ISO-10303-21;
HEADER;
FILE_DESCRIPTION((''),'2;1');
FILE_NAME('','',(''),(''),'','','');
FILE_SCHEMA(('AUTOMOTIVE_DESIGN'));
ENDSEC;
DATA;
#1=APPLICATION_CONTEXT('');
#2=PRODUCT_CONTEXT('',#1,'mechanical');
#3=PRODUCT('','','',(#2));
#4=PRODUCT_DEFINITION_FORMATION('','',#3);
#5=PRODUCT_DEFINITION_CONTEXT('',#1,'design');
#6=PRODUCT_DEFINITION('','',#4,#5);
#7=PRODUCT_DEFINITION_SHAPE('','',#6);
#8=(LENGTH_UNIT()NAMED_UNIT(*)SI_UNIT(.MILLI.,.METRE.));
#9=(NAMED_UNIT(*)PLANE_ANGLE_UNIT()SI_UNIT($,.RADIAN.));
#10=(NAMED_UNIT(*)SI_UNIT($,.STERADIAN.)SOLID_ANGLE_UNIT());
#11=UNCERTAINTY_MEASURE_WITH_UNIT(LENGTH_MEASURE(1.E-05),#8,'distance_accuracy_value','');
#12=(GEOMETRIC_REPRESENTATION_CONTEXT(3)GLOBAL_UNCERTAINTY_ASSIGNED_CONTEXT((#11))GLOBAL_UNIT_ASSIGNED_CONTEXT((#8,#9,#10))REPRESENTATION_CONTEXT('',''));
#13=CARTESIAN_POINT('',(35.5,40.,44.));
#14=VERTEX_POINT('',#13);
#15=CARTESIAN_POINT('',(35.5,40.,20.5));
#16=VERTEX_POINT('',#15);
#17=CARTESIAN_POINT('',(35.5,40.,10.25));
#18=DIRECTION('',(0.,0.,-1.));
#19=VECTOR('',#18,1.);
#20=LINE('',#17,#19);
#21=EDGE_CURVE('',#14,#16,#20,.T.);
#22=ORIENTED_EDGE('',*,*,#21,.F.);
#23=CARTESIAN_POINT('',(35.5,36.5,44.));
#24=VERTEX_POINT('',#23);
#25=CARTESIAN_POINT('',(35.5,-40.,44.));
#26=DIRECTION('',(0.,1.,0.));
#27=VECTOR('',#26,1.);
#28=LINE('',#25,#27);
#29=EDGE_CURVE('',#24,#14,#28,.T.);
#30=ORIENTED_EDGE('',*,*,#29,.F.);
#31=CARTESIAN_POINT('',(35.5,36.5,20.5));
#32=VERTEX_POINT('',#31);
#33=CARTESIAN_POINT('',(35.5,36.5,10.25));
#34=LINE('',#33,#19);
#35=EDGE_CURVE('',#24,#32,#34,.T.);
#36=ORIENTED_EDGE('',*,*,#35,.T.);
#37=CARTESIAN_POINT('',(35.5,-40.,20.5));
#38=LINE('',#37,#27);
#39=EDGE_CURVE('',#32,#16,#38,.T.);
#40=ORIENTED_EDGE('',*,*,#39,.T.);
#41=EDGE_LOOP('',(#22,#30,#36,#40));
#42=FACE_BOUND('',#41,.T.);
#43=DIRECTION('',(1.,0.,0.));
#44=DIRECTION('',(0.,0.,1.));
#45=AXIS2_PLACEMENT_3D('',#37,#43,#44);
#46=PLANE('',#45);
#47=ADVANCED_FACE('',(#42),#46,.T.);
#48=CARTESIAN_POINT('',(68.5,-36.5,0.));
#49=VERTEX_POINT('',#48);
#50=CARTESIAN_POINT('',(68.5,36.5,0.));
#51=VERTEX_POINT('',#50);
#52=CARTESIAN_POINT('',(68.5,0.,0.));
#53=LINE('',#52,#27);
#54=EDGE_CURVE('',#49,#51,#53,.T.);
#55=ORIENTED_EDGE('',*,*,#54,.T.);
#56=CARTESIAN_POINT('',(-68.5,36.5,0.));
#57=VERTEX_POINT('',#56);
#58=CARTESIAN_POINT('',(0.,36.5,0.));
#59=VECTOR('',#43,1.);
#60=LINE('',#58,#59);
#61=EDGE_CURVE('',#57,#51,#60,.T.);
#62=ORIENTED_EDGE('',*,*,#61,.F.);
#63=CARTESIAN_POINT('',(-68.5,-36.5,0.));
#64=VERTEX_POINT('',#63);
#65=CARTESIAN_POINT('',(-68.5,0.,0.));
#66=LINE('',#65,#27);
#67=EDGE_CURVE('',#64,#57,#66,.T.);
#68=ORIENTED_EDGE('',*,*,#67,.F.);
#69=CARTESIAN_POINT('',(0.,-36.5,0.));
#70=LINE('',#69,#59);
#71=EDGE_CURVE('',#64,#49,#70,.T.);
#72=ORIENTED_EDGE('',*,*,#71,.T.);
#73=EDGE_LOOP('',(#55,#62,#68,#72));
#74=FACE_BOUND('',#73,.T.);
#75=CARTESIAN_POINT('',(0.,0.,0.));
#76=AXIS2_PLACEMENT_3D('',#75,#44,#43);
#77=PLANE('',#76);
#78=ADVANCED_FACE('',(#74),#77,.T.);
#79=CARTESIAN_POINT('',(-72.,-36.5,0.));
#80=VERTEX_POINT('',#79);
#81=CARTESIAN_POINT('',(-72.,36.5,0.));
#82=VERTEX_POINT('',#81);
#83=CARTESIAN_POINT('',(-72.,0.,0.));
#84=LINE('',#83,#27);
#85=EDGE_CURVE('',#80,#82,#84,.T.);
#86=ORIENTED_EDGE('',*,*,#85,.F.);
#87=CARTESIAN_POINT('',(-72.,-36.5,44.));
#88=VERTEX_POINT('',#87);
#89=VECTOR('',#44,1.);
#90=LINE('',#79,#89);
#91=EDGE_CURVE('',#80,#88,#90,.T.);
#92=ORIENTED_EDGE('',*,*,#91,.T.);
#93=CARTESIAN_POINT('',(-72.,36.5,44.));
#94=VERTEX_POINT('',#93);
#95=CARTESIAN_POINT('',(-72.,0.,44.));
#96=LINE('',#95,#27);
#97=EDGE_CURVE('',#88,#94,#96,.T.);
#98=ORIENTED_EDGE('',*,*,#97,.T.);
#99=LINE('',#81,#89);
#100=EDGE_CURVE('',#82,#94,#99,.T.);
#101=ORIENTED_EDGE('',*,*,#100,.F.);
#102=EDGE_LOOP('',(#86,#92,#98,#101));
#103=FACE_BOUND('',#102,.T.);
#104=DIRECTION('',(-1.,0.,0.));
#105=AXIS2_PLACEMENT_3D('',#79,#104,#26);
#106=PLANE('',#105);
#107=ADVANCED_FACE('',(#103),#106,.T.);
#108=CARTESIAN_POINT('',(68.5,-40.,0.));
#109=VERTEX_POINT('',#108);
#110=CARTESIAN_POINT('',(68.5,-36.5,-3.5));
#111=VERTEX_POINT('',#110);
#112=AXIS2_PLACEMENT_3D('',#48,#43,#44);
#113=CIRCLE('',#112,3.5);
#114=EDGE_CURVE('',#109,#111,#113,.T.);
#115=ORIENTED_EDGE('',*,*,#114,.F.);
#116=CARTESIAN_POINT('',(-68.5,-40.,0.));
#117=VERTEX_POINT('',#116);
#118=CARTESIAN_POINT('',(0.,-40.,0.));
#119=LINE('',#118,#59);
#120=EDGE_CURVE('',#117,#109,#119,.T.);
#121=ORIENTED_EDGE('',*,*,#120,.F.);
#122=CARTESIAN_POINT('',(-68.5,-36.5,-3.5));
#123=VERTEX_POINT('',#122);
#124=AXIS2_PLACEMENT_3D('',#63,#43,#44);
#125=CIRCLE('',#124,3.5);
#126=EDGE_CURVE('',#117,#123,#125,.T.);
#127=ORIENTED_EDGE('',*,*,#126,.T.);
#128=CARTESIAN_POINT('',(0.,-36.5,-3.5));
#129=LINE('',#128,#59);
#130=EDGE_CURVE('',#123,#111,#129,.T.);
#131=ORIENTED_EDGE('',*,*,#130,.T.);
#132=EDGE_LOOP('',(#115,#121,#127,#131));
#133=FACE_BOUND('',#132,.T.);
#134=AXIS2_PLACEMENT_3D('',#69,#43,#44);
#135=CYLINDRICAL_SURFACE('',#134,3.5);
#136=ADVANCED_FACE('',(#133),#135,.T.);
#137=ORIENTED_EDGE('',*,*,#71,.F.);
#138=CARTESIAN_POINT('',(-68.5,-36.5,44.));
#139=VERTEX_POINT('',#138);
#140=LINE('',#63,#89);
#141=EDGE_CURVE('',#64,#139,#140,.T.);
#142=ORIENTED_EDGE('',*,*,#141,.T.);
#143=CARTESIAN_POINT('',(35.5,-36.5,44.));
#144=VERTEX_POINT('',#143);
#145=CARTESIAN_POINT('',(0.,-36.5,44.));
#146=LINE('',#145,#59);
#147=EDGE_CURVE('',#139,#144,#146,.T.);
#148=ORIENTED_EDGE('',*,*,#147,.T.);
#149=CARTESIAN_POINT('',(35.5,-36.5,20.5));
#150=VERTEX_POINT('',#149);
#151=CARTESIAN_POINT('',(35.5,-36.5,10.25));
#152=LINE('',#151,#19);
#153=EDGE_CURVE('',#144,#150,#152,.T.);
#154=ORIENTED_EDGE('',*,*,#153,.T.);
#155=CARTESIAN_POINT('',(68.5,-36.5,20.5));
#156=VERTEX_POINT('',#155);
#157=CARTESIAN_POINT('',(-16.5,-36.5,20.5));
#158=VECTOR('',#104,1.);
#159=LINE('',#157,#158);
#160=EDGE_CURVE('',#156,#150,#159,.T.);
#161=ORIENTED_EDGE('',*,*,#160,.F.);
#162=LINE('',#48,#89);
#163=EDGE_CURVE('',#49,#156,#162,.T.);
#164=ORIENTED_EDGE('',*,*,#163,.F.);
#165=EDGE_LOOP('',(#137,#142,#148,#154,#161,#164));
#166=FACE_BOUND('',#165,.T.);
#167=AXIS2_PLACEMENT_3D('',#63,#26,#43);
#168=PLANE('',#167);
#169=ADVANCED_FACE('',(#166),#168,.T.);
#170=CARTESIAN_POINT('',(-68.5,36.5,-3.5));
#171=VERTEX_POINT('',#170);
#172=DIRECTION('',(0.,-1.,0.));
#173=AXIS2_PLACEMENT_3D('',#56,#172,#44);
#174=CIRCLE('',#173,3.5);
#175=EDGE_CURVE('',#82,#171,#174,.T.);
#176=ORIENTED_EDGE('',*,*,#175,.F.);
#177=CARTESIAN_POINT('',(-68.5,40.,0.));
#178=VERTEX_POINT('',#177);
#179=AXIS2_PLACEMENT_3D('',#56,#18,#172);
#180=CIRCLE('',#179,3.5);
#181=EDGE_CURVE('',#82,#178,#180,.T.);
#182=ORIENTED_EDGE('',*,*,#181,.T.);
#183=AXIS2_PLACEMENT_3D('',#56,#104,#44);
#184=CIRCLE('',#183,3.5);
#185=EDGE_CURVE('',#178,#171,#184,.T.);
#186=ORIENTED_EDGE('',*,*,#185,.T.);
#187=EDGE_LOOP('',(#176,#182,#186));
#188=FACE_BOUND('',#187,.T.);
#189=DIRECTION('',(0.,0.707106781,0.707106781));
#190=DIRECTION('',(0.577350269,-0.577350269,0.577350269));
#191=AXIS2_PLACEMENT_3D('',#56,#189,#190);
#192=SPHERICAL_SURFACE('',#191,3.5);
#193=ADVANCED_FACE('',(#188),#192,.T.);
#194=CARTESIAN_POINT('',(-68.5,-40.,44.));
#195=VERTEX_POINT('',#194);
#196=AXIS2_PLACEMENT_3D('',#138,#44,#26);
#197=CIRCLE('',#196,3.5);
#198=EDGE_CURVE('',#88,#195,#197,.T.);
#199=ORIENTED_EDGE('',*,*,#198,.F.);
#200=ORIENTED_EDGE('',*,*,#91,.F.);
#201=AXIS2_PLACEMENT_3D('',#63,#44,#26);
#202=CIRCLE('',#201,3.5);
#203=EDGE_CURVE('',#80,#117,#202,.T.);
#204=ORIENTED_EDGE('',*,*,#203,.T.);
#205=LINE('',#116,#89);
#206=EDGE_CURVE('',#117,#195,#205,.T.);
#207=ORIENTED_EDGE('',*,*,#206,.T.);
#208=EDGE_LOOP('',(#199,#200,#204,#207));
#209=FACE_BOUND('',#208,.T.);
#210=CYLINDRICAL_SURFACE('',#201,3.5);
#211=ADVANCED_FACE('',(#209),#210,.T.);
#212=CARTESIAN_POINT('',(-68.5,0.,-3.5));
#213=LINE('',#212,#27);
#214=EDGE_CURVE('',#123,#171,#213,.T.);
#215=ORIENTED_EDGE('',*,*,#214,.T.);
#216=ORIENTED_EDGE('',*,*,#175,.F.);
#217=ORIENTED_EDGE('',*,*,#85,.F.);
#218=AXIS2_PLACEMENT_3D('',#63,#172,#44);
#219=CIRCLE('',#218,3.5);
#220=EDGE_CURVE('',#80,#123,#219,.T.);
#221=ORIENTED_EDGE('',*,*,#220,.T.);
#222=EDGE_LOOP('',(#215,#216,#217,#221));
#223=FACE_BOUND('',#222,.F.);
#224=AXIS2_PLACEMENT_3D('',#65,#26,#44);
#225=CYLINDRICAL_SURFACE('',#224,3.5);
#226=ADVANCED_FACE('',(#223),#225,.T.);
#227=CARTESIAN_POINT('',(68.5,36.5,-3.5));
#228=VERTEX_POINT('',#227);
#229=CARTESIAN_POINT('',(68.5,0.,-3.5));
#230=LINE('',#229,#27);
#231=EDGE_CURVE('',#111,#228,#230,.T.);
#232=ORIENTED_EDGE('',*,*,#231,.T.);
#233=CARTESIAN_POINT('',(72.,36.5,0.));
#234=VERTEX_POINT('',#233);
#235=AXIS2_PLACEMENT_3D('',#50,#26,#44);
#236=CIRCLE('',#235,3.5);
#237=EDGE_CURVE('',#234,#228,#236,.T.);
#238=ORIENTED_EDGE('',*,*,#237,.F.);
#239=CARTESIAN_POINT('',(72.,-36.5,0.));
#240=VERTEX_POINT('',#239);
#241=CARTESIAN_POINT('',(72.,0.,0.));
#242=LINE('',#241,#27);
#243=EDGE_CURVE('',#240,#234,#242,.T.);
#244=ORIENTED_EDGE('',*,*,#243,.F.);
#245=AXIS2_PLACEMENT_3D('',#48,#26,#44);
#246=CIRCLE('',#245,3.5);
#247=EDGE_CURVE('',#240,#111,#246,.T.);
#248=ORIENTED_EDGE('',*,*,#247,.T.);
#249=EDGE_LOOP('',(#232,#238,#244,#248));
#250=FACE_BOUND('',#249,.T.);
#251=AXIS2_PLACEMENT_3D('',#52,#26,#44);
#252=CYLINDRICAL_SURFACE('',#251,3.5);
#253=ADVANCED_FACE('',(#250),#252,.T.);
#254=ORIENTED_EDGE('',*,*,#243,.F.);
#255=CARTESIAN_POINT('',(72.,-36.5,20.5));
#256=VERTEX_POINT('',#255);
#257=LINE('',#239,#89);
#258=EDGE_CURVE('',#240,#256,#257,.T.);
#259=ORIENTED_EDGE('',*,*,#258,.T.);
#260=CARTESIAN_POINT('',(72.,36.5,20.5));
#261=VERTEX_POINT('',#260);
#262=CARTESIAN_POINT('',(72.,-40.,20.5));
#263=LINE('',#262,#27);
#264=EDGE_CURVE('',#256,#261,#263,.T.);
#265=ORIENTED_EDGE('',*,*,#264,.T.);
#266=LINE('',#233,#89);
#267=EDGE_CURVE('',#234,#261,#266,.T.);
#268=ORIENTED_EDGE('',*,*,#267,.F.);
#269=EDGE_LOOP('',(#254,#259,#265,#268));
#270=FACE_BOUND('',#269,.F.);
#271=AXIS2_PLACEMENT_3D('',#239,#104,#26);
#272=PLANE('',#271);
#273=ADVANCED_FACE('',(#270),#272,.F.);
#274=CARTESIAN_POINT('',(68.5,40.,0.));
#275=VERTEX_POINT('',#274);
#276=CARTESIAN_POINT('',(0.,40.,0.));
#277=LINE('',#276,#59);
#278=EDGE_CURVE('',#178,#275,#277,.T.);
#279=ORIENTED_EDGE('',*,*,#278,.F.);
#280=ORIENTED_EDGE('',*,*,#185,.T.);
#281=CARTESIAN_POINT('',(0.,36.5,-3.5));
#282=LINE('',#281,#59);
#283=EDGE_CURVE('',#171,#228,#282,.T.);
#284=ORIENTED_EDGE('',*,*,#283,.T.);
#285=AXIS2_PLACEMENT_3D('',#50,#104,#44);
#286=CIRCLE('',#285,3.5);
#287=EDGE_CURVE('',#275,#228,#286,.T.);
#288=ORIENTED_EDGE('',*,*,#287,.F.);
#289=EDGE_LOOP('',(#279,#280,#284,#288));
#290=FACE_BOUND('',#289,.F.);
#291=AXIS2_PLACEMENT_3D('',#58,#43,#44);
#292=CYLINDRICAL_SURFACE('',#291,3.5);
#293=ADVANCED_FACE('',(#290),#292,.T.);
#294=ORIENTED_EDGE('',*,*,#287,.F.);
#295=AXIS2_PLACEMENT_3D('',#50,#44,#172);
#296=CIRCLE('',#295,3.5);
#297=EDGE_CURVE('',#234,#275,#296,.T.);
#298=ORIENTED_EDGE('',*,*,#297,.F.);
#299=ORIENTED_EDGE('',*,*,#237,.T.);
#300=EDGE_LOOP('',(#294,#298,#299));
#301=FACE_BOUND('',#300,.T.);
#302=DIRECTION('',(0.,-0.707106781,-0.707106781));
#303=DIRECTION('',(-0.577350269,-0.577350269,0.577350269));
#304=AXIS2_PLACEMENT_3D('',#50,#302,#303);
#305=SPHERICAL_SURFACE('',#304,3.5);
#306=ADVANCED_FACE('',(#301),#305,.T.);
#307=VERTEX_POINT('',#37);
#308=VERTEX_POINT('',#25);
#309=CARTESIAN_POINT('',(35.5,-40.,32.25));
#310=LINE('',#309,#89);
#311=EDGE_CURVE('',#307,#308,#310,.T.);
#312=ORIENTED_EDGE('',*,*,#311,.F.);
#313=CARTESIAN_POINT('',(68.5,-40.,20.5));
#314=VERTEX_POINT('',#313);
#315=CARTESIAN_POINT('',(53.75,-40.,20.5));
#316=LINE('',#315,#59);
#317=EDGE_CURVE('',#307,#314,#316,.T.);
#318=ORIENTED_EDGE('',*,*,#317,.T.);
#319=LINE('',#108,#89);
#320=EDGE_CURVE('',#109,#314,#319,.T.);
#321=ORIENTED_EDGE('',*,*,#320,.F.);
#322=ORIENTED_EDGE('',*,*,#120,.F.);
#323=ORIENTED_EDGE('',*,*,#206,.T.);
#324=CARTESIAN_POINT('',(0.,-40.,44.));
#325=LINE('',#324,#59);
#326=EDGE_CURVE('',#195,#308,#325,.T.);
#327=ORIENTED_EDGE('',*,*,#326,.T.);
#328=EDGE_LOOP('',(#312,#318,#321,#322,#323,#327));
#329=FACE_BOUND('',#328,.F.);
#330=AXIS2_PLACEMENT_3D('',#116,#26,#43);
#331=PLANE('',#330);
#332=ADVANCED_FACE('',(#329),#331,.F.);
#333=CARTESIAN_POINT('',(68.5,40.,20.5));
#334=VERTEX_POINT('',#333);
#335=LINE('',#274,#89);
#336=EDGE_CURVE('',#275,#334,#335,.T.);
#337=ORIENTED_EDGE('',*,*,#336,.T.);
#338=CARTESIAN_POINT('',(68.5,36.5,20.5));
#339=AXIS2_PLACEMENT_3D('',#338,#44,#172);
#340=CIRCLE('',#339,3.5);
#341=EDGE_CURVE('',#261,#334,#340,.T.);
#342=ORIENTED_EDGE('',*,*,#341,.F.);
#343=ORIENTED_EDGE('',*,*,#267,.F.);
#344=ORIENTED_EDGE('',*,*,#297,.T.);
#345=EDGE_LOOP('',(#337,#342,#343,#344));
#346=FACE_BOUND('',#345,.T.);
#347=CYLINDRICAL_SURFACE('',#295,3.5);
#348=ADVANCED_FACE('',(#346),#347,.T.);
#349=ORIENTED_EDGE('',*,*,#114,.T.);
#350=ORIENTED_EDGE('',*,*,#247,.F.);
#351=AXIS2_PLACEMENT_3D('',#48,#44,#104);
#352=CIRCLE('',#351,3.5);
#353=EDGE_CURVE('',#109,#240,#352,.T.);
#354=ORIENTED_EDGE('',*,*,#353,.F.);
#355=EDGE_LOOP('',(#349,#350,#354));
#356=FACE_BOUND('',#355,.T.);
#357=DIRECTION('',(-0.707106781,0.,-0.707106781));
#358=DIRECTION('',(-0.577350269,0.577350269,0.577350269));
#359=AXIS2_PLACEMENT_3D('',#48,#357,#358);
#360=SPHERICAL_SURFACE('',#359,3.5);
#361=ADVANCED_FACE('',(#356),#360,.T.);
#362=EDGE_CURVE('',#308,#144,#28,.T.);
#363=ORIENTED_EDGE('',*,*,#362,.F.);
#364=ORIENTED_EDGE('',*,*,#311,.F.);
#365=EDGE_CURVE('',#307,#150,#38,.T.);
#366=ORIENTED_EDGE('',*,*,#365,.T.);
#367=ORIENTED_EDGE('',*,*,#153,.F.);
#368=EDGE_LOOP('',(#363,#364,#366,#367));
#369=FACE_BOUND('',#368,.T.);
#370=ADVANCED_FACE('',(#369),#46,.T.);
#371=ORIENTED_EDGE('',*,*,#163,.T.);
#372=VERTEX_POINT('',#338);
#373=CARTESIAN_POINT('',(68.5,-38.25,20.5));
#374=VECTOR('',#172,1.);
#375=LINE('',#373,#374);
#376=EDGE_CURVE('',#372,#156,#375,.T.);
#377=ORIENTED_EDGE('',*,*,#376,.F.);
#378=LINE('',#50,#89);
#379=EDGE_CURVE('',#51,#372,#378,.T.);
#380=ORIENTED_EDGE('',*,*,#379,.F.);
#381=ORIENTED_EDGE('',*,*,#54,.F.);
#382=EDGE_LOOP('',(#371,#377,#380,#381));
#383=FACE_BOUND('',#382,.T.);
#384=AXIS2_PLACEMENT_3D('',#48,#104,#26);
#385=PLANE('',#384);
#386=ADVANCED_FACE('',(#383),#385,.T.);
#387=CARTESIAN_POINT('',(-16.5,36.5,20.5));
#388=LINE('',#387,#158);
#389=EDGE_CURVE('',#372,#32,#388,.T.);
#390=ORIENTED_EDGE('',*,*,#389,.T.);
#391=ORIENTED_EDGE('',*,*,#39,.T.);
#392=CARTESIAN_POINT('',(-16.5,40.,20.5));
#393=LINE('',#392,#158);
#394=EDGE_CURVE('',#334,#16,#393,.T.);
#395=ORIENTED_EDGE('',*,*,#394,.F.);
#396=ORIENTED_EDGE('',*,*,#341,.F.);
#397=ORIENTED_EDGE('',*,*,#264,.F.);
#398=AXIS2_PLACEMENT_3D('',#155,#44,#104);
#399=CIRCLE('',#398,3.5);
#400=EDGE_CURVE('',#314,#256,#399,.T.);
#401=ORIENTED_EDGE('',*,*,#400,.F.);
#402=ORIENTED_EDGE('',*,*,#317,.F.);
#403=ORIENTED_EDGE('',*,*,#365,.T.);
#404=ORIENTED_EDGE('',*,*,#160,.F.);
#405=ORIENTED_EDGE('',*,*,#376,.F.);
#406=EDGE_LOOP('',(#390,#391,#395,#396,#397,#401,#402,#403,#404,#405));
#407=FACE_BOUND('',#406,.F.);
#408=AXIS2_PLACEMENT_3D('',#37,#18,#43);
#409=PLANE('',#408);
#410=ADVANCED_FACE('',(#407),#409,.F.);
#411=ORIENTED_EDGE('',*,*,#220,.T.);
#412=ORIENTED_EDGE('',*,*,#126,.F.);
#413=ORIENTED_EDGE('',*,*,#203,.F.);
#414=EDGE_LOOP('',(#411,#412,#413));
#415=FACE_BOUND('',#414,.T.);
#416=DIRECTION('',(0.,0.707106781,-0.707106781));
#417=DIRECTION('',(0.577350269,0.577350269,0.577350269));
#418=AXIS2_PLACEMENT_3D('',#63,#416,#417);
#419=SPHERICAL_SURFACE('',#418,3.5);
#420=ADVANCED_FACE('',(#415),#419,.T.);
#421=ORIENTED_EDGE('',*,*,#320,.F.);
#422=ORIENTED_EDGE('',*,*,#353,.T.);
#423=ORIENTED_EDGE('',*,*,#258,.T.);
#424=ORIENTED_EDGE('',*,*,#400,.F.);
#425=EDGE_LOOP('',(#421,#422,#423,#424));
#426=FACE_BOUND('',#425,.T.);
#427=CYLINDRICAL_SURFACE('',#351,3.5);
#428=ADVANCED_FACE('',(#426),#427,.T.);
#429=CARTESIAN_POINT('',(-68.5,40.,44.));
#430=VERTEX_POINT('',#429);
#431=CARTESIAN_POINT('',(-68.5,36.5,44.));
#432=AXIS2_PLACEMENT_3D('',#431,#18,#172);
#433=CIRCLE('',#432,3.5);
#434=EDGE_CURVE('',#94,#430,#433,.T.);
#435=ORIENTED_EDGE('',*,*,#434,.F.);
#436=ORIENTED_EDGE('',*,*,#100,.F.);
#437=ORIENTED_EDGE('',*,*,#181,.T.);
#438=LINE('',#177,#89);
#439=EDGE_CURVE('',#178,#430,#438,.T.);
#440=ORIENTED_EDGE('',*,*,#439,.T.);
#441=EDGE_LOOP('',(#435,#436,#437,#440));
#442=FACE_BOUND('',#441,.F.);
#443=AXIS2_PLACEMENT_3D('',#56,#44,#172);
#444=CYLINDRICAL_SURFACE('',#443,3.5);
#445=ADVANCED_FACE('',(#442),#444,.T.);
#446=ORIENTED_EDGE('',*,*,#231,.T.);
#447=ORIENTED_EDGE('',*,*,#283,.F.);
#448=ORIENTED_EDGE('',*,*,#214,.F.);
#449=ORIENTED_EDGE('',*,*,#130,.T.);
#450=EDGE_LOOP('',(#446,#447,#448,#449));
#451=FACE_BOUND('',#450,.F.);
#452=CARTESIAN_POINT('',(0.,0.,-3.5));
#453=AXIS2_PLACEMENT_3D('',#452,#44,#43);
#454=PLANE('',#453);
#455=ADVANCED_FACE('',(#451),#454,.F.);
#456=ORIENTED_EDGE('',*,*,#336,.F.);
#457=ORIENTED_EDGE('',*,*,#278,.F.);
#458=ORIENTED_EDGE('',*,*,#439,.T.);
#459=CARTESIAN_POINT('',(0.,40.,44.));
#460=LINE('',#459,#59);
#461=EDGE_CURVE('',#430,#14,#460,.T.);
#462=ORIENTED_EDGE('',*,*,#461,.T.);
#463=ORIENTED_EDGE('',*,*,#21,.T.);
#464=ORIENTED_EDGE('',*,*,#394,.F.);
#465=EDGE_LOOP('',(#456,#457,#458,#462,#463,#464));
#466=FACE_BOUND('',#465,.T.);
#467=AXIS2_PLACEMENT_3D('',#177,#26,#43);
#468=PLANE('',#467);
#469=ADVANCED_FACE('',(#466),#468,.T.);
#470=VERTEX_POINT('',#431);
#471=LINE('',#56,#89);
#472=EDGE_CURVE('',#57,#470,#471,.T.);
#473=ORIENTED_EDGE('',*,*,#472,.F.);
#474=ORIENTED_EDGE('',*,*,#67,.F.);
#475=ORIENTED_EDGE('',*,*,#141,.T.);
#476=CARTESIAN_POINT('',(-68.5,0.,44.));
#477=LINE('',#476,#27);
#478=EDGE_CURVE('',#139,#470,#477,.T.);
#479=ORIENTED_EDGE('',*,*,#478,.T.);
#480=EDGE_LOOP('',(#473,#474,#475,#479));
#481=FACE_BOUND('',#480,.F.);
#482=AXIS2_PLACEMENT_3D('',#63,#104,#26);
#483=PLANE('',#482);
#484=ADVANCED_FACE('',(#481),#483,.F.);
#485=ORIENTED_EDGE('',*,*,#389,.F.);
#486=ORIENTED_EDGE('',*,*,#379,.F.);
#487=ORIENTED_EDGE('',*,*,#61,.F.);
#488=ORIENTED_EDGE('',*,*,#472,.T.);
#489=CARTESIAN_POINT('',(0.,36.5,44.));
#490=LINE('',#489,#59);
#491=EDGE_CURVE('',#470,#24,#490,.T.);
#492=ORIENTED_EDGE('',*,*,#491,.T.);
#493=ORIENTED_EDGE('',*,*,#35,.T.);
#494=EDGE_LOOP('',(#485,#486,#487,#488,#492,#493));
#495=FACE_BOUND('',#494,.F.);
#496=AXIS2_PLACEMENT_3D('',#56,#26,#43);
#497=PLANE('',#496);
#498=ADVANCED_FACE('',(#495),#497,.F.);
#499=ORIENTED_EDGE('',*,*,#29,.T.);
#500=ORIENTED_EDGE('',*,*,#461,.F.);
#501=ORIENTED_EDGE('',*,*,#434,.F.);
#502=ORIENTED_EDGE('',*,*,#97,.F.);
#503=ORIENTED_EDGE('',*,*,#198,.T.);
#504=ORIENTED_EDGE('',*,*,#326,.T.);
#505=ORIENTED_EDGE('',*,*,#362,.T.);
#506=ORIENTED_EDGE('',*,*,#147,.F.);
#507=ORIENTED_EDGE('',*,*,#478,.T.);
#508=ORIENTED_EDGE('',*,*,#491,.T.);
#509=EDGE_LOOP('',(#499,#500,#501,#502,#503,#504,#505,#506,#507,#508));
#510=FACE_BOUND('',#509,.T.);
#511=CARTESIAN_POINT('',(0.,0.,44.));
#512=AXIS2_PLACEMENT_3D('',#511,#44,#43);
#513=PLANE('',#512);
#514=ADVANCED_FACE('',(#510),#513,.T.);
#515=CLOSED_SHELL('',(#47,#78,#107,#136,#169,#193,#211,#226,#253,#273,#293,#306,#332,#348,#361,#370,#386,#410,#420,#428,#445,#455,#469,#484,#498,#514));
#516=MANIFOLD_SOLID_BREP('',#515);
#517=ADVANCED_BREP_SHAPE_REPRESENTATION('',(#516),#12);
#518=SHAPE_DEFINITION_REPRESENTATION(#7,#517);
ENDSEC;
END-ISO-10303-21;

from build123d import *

# Parameters (mm, degrees)
SKETCH_W     = 137
SKETCH_H     = 73
PAD_DEPTH    = 44
THICKNESS_T  = 3.5
SKETCH001_W  = 36.5
SKETCH001_H  = 23.5
POCKET_DEPTH = 89


with BuildPart() as part:
    # Sketch → Pad (new body)
    with BuildSketch(Plane.XY):
        Rectangle(SKETCH_W, SKETCH_H)
    extrude(amount=PAD_DEPTH)

    # Thickness
    thickness_openings = [part.faces().sort_by_distance(p)[0] for p in [
        (0, 0, 44),
    ]]
    offset(amount=THICKNESS_T, openings=thickness_openings)

    # Sketch001 (on Face12 of Thickness) → Pocket (cut)
    with BuildSketch(Plane.XZ.offset(40)):
        with Locations((53.75, 32.25)):
            Rectangle(SKETCH001_W, SKETCH001_H)
    extrude(amount=-POCKET_DEPTH, mode=Mode.SUBTRACT)


solid = part.part
